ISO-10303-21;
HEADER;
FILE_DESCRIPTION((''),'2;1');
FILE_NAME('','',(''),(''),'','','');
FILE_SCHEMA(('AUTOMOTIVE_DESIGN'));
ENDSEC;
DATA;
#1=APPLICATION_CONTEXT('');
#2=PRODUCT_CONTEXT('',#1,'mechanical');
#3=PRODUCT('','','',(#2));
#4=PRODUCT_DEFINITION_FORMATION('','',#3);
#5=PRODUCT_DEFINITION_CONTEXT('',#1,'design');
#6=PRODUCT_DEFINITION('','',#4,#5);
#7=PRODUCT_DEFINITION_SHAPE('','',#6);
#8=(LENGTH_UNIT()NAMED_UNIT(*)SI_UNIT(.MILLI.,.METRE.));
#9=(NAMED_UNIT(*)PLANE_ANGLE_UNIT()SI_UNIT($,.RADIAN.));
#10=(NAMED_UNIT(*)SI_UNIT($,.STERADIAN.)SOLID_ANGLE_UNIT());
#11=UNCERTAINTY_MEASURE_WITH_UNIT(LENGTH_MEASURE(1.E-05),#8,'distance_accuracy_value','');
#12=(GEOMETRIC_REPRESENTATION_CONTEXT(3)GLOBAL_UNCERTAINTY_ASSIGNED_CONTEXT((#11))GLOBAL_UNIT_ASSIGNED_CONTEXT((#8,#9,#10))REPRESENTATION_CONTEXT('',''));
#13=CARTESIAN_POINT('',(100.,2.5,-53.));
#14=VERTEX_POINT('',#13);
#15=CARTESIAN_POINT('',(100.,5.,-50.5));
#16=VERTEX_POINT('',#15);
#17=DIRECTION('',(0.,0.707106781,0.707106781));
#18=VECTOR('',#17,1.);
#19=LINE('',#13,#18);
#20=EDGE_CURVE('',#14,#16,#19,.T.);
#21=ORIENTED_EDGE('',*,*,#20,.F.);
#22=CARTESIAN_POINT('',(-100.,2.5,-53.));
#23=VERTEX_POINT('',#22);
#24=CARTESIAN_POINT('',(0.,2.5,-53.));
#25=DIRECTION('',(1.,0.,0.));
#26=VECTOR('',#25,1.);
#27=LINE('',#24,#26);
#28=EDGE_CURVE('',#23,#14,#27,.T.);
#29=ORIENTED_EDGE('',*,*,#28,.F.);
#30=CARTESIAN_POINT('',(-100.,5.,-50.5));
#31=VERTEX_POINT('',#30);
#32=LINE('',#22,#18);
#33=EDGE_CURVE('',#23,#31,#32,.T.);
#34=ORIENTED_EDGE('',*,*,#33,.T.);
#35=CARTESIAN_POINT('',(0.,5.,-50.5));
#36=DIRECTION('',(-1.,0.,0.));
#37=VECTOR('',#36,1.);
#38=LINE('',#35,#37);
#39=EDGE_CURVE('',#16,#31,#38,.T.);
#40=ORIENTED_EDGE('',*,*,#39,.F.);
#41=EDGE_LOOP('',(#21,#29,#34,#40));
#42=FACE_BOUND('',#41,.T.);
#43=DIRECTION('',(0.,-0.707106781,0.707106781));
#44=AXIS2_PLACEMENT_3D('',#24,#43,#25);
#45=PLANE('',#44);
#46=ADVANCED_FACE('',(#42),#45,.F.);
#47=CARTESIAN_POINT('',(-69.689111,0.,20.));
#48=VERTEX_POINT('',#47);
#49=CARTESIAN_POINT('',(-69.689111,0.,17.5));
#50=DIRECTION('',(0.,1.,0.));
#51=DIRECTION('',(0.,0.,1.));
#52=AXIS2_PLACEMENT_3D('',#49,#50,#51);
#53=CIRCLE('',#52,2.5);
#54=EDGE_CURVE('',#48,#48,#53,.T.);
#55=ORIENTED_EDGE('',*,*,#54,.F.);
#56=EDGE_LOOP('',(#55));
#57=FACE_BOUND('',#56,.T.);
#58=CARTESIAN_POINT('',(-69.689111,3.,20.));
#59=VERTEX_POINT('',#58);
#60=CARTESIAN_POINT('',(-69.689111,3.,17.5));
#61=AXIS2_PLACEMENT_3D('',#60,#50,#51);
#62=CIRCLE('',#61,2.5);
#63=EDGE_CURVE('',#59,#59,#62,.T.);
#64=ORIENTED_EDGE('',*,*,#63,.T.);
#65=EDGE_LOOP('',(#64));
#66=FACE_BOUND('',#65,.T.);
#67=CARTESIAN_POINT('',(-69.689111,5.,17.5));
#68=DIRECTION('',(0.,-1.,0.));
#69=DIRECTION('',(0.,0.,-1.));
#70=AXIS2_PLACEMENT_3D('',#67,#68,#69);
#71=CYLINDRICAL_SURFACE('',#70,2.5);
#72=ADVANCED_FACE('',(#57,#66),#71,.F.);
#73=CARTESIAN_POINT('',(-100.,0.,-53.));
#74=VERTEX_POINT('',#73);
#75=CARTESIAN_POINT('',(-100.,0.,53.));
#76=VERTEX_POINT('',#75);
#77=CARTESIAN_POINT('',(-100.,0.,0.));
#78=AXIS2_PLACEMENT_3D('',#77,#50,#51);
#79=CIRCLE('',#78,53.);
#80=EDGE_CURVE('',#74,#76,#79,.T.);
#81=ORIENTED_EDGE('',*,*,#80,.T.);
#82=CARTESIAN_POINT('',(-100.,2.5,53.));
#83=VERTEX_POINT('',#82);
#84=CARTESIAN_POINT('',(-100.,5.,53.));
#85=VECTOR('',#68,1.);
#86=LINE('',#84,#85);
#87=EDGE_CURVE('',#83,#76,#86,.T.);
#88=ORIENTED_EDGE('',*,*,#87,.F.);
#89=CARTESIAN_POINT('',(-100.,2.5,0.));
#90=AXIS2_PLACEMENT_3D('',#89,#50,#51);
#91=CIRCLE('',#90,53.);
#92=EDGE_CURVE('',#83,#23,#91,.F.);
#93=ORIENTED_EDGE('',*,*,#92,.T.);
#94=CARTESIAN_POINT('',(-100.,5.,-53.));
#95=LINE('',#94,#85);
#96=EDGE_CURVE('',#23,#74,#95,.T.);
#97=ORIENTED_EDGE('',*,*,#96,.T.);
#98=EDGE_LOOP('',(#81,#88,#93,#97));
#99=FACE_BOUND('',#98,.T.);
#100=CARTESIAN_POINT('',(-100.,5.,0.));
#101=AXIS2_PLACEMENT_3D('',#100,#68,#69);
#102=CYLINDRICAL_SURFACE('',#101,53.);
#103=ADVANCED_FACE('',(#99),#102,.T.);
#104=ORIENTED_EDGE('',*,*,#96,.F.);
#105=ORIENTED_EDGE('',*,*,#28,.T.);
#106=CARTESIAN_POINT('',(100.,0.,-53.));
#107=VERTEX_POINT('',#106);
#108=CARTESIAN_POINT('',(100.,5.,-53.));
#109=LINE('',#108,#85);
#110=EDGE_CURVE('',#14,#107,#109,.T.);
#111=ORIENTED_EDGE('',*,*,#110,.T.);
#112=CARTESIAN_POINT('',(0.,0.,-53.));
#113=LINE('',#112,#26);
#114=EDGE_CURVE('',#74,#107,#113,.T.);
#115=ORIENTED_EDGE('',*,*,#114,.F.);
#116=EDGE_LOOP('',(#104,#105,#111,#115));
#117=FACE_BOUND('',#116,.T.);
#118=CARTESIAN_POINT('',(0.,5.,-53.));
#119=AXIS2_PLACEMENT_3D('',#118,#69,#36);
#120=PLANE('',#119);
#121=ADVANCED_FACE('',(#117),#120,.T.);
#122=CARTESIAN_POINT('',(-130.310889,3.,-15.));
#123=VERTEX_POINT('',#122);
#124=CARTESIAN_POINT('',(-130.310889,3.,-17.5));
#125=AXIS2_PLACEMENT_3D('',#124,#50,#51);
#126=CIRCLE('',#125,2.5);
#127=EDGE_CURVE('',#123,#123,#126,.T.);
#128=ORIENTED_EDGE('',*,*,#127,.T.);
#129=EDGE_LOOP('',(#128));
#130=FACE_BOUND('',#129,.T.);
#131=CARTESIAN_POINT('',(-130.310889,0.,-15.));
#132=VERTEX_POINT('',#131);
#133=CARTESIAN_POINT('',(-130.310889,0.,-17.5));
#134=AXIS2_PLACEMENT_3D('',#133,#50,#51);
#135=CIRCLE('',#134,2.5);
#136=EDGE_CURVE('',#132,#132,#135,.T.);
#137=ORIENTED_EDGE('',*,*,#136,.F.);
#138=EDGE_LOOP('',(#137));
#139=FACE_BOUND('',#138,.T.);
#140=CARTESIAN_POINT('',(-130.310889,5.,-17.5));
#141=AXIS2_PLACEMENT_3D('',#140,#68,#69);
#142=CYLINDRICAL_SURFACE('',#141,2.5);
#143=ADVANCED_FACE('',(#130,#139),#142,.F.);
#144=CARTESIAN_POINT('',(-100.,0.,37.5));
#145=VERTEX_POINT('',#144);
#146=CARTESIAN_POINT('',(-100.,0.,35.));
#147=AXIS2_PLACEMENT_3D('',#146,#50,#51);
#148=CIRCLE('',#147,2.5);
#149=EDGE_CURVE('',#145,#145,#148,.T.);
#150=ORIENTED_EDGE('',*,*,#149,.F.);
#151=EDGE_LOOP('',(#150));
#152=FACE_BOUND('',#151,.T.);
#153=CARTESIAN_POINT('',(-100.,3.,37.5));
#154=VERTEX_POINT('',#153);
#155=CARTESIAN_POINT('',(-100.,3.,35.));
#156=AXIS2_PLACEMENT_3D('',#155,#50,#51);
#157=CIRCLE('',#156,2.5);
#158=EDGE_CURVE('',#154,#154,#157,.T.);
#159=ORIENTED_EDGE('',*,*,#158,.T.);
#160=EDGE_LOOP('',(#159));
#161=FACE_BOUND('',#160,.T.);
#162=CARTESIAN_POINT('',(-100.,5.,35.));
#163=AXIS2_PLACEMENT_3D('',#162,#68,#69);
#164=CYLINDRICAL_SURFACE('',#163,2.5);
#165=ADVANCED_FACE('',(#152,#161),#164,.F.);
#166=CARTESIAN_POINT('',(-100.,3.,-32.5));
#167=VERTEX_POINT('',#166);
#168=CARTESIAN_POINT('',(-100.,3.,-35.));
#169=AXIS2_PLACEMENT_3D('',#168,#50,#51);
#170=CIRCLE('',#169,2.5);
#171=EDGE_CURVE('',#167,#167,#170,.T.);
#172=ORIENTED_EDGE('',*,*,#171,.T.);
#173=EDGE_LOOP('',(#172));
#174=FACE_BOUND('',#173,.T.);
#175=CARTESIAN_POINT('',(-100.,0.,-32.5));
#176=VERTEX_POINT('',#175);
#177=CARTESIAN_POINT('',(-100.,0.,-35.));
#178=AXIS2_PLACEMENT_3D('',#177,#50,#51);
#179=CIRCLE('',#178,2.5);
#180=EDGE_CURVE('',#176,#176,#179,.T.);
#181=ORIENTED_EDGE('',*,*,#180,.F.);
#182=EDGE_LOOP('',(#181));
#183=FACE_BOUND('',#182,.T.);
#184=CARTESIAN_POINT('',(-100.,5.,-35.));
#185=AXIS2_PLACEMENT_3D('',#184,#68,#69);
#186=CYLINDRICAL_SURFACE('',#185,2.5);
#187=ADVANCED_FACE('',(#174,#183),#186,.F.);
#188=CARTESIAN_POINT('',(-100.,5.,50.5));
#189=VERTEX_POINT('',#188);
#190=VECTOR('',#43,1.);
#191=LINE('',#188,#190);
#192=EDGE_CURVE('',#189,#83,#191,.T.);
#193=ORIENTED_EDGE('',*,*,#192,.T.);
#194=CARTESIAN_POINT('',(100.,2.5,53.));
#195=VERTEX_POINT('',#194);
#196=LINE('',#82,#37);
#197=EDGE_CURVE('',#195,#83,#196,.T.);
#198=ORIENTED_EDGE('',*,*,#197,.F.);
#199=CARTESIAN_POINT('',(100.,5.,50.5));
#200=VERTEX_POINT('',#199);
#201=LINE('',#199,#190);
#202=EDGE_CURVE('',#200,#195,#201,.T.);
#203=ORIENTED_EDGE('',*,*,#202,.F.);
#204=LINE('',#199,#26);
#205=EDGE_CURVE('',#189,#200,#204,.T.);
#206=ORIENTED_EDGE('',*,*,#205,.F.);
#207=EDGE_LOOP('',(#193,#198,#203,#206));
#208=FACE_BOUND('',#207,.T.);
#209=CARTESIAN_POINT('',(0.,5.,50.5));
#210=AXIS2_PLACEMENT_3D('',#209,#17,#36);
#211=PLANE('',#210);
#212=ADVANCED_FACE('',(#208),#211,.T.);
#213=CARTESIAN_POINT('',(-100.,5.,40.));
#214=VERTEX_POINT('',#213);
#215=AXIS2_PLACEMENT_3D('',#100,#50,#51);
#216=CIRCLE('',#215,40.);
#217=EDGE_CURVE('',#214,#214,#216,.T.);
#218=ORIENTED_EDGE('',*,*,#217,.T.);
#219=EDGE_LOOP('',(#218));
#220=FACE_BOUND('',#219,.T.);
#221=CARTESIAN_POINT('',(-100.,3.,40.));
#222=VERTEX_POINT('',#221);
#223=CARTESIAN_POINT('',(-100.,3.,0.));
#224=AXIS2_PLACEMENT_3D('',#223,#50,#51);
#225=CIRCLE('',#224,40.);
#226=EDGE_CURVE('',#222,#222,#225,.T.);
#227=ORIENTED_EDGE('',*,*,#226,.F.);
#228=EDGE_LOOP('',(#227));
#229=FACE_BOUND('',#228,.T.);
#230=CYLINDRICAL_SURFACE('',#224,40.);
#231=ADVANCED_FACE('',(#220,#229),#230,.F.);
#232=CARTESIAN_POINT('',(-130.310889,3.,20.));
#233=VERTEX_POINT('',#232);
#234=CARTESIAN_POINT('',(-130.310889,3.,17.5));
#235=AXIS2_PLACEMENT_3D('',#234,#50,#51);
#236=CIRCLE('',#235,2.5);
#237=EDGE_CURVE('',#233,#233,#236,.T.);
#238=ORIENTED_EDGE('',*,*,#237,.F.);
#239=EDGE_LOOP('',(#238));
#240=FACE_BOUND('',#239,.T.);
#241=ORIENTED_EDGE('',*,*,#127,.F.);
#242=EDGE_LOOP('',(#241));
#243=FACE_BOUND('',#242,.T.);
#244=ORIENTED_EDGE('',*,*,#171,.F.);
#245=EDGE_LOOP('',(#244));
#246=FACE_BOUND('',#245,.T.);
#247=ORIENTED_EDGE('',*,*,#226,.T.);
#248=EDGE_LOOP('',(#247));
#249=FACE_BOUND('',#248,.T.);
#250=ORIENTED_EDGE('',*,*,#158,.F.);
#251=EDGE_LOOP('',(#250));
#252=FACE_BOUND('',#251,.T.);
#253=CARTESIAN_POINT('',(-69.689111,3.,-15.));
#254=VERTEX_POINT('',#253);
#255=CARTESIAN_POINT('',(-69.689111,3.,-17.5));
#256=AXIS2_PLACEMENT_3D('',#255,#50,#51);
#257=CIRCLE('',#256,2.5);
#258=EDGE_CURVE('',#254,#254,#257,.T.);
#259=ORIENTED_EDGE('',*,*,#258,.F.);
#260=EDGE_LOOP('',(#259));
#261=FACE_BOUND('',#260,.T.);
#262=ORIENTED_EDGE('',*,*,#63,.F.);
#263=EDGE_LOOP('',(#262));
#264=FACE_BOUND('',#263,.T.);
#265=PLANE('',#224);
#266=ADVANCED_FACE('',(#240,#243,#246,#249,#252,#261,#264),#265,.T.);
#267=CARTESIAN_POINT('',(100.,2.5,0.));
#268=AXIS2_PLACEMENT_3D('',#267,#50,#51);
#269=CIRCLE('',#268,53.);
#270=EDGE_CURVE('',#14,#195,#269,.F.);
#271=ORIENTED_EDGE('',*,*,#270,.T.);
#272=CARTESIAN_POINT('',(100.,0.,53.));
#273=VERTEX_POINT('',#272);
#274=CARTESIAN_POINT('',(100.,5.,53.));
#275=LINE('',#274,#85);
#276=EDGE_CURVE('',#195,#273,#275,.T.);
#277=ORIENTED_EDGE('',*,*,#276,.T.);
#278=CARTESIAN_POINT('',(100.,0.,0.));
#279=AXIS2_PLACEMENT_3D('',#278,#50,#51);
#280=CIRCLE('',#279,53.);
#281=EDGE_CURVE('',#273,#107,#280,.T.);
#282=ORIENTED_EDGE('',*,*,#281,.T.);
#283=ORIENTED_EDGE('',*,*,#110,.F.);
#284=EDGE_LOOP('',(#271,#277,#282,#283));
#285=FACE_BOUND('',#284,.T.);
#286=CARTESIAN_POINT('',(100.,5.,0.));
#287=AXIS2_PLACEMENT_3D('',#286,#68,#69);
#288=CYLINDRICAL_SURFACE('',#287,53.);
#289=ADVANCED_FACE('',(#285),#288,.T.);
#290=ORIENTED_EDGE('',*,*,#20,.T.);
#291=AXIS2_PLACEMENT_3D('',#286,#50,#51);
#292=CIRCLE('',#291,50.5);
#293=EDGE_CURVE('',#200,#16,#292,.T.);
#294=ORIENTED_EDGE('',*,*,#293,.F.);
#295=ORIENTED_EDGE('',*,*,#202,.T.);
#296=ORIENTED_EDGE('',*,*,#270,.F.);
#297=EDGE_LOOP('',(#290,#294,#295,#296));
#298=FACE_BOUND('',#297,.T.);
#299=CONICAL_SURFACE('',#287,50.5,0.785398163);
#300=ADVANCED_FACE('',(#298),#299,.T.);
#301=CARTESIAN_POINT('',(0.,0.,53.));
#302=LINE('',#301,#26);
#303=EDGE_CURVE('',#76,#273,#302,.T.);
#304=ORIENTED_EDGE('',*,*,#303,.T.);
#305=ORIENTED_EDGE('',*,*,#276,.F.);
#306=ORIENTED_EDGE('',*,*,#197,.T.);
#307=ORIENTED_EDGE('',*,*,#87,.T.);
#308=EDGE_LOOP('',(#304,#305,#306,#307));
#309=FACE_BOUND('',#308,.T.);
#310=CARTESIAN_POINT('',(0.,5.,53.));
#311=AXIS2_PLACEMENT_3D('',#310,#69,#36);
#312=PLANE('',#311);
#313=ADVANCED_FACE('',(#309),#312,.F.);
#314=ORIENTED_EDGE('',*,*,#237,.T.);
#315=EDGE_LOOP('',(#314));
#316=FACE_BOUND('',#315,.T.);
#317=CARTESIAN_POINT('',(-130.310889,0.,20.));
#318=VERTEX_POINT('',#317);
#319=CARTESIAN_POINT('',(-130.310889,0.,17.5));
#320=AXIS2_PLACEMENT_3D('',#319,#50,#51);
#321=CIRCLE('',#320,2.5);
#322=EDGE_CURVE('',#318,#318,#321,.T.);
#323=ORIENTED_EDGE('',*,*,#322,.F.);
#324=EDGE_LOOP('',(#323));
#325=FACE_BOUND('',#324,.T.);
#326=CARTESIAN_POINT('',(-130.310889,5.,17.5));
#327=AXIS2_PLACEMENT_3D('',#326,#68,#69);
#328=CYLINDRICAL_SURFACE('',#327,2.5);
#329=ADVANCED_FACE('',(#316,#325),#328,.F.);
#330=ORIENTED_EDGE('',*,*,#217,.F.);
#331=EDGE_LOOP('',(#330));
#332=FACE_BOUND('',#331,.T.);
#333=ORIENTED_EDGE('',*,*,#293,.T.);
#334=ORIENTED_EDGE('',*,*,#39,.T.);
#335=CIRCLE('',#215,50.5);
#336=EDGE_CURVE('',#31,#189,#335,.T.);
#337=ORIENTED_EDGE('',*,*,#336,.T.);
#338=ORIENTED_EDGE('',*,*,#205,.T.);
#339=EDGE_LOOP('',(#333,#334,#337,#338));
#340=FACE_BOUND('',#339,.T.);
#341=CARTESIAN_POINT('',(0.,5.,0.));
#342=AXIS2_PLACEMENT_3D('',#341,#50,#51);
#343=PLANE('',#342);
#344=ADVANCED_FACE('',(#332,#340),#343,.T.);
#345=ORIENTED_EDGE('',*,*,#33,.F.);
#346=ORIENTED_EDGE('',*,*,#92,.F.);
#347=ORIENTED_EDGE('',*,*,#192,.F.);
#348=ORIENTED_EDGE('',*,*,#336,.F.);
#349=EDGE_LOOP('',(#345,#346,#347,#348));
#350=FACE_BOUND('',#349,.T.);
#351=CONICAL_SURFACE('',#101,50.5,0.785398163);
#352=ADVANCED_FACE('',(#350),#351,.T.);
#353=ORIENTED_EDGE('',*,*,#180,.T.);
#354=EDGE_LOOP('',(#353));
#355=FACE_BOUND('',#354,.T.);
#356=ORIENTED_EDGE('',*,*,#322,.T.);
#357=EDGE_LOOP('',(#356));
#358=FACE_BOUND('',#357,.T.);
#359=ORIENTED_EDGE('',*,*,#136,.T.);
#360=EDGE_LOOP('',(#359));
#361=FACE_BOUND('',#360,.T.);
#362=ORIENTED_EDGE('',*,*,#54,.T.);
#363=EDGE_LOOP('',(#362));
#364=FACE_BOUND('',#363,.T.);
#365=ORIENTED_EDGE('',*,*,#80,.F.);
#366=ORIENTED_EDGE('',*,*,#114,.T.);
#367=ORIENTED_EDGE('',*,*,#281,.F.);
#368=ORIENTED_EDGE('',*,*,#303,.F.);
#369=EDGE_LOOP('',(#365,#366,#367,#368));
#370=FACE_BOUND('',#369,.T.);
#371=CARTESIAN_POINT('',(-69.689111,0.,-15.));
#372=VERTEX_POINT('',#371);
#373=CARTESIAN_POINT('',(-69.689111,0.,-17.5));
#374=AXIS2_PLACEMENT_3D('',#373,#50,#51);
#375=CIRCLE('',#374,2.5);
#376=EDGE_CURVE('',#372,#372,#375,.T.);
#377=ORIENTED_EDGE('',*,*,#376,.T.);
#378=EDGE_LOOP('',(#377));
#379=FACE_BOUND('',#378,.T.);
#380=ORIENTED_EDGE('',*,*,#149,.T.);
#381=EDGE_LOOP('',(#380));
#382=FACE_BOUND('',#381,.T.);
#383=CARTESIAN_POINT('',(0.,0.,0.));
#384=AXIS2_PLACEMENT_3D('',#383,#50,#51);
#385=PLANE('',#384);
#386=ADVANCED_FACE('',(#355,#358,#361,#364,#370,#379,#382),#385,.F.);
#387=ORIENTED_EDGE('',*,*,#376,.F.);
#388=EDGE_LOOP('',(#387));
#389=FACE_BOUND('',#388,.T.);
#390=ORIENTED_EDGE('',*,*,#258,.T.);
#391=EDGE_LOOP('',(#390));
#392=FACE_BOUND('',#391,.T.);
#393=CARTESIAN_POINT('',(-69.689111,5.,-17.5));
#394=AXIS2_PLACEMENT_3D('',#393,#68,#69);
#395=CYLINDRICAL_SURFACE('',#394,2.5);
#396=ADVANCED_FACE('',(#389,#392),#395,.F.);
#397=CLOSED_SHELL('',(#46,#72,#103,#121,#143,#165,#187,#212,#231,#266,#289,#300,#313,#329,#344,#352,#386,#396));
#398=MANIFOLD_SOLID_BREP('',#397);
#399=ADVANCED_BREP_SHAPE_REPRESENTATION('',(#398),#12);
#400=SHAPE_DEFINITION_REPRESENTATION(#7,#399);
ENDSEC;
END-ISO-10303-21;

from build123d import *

# Parameters (mm, degrees)
SKETCH1_R           = 2.5
BOSS_EXTRUDE1_DEPTH = 5
SKETCH2_R           = 40
CUT_EXTRUDE1_DEPTH  = 2
CHAMFER1_SIZE       = 2.5


with BuildPart() as part:
    # Sketch1 → Boss-Extrude1 (new body)
    with BuildSketch(Plane(origin=(0, 0, 0), x_dir=(1, 0, 0), z_dir=(0, 1, 0))):
        with BuildLine():
            Line((-100, -53), (100, -53))
            ThreePointArc((100, -53), (153, 0), (100, 53))
            Line((100, 53), (-100, 53))
            ThreePointArc((-100, 53), (-153, 0), (-100, -53))
        make_face()
        with Locations((-100, -35)):
            Circle(SKETCH1_R, mode=Mode.SUBTRACT)
        with Locations((-100, 35)):
            Circle(SKETCH1_R, mode=Mode.SUBTRACT)
        with Locations((-69.689110868, 17.5)):
            Circle(SKETCH1_R, mode=Mode.SUBTRACT)
        with Locations((-69.689110868, -17.5)):
            Circle(SKETCH1_R, mode=Mode.SUBTRACT)
        with Locations((-130.310889132, 17.5)):
            Circle(SKETCH1_R, mode=Mode.SUBTRACT)
        with Locations((-130.310889132, -17.5)):
            Circle(SKETCH1_R, mode=Mode.SUBTRACT)
    extrude(amount=BOSS_EXTRUDE1_DEPTH)

    # Sketch2 → Cut-Extrude1 (cut)
    with BuildSketch(Plane(origin=(0, 5, 0), x_dir=(1, 0, 0), z_dir=(0, 1, 0))):
        with Locations((-100, 0)):
            Circle(SKETCH2_R)
    extrude(amount=-CUT_EXTRUDE1_DEPTH, mode=Mode.SUBTRACT)

    # Chamfer1
    chamfer1_edges = [part.edges().sort_by_distance(p)[0] for p in [
        (-153, 5, 0),
        (0, 5, 53),
        (153, 5, 0),
        (0, 5, -53),
    ]]
    chamfer(chamfer1_edges, length=CHAMFER1_SIZE)


solid = part.part
